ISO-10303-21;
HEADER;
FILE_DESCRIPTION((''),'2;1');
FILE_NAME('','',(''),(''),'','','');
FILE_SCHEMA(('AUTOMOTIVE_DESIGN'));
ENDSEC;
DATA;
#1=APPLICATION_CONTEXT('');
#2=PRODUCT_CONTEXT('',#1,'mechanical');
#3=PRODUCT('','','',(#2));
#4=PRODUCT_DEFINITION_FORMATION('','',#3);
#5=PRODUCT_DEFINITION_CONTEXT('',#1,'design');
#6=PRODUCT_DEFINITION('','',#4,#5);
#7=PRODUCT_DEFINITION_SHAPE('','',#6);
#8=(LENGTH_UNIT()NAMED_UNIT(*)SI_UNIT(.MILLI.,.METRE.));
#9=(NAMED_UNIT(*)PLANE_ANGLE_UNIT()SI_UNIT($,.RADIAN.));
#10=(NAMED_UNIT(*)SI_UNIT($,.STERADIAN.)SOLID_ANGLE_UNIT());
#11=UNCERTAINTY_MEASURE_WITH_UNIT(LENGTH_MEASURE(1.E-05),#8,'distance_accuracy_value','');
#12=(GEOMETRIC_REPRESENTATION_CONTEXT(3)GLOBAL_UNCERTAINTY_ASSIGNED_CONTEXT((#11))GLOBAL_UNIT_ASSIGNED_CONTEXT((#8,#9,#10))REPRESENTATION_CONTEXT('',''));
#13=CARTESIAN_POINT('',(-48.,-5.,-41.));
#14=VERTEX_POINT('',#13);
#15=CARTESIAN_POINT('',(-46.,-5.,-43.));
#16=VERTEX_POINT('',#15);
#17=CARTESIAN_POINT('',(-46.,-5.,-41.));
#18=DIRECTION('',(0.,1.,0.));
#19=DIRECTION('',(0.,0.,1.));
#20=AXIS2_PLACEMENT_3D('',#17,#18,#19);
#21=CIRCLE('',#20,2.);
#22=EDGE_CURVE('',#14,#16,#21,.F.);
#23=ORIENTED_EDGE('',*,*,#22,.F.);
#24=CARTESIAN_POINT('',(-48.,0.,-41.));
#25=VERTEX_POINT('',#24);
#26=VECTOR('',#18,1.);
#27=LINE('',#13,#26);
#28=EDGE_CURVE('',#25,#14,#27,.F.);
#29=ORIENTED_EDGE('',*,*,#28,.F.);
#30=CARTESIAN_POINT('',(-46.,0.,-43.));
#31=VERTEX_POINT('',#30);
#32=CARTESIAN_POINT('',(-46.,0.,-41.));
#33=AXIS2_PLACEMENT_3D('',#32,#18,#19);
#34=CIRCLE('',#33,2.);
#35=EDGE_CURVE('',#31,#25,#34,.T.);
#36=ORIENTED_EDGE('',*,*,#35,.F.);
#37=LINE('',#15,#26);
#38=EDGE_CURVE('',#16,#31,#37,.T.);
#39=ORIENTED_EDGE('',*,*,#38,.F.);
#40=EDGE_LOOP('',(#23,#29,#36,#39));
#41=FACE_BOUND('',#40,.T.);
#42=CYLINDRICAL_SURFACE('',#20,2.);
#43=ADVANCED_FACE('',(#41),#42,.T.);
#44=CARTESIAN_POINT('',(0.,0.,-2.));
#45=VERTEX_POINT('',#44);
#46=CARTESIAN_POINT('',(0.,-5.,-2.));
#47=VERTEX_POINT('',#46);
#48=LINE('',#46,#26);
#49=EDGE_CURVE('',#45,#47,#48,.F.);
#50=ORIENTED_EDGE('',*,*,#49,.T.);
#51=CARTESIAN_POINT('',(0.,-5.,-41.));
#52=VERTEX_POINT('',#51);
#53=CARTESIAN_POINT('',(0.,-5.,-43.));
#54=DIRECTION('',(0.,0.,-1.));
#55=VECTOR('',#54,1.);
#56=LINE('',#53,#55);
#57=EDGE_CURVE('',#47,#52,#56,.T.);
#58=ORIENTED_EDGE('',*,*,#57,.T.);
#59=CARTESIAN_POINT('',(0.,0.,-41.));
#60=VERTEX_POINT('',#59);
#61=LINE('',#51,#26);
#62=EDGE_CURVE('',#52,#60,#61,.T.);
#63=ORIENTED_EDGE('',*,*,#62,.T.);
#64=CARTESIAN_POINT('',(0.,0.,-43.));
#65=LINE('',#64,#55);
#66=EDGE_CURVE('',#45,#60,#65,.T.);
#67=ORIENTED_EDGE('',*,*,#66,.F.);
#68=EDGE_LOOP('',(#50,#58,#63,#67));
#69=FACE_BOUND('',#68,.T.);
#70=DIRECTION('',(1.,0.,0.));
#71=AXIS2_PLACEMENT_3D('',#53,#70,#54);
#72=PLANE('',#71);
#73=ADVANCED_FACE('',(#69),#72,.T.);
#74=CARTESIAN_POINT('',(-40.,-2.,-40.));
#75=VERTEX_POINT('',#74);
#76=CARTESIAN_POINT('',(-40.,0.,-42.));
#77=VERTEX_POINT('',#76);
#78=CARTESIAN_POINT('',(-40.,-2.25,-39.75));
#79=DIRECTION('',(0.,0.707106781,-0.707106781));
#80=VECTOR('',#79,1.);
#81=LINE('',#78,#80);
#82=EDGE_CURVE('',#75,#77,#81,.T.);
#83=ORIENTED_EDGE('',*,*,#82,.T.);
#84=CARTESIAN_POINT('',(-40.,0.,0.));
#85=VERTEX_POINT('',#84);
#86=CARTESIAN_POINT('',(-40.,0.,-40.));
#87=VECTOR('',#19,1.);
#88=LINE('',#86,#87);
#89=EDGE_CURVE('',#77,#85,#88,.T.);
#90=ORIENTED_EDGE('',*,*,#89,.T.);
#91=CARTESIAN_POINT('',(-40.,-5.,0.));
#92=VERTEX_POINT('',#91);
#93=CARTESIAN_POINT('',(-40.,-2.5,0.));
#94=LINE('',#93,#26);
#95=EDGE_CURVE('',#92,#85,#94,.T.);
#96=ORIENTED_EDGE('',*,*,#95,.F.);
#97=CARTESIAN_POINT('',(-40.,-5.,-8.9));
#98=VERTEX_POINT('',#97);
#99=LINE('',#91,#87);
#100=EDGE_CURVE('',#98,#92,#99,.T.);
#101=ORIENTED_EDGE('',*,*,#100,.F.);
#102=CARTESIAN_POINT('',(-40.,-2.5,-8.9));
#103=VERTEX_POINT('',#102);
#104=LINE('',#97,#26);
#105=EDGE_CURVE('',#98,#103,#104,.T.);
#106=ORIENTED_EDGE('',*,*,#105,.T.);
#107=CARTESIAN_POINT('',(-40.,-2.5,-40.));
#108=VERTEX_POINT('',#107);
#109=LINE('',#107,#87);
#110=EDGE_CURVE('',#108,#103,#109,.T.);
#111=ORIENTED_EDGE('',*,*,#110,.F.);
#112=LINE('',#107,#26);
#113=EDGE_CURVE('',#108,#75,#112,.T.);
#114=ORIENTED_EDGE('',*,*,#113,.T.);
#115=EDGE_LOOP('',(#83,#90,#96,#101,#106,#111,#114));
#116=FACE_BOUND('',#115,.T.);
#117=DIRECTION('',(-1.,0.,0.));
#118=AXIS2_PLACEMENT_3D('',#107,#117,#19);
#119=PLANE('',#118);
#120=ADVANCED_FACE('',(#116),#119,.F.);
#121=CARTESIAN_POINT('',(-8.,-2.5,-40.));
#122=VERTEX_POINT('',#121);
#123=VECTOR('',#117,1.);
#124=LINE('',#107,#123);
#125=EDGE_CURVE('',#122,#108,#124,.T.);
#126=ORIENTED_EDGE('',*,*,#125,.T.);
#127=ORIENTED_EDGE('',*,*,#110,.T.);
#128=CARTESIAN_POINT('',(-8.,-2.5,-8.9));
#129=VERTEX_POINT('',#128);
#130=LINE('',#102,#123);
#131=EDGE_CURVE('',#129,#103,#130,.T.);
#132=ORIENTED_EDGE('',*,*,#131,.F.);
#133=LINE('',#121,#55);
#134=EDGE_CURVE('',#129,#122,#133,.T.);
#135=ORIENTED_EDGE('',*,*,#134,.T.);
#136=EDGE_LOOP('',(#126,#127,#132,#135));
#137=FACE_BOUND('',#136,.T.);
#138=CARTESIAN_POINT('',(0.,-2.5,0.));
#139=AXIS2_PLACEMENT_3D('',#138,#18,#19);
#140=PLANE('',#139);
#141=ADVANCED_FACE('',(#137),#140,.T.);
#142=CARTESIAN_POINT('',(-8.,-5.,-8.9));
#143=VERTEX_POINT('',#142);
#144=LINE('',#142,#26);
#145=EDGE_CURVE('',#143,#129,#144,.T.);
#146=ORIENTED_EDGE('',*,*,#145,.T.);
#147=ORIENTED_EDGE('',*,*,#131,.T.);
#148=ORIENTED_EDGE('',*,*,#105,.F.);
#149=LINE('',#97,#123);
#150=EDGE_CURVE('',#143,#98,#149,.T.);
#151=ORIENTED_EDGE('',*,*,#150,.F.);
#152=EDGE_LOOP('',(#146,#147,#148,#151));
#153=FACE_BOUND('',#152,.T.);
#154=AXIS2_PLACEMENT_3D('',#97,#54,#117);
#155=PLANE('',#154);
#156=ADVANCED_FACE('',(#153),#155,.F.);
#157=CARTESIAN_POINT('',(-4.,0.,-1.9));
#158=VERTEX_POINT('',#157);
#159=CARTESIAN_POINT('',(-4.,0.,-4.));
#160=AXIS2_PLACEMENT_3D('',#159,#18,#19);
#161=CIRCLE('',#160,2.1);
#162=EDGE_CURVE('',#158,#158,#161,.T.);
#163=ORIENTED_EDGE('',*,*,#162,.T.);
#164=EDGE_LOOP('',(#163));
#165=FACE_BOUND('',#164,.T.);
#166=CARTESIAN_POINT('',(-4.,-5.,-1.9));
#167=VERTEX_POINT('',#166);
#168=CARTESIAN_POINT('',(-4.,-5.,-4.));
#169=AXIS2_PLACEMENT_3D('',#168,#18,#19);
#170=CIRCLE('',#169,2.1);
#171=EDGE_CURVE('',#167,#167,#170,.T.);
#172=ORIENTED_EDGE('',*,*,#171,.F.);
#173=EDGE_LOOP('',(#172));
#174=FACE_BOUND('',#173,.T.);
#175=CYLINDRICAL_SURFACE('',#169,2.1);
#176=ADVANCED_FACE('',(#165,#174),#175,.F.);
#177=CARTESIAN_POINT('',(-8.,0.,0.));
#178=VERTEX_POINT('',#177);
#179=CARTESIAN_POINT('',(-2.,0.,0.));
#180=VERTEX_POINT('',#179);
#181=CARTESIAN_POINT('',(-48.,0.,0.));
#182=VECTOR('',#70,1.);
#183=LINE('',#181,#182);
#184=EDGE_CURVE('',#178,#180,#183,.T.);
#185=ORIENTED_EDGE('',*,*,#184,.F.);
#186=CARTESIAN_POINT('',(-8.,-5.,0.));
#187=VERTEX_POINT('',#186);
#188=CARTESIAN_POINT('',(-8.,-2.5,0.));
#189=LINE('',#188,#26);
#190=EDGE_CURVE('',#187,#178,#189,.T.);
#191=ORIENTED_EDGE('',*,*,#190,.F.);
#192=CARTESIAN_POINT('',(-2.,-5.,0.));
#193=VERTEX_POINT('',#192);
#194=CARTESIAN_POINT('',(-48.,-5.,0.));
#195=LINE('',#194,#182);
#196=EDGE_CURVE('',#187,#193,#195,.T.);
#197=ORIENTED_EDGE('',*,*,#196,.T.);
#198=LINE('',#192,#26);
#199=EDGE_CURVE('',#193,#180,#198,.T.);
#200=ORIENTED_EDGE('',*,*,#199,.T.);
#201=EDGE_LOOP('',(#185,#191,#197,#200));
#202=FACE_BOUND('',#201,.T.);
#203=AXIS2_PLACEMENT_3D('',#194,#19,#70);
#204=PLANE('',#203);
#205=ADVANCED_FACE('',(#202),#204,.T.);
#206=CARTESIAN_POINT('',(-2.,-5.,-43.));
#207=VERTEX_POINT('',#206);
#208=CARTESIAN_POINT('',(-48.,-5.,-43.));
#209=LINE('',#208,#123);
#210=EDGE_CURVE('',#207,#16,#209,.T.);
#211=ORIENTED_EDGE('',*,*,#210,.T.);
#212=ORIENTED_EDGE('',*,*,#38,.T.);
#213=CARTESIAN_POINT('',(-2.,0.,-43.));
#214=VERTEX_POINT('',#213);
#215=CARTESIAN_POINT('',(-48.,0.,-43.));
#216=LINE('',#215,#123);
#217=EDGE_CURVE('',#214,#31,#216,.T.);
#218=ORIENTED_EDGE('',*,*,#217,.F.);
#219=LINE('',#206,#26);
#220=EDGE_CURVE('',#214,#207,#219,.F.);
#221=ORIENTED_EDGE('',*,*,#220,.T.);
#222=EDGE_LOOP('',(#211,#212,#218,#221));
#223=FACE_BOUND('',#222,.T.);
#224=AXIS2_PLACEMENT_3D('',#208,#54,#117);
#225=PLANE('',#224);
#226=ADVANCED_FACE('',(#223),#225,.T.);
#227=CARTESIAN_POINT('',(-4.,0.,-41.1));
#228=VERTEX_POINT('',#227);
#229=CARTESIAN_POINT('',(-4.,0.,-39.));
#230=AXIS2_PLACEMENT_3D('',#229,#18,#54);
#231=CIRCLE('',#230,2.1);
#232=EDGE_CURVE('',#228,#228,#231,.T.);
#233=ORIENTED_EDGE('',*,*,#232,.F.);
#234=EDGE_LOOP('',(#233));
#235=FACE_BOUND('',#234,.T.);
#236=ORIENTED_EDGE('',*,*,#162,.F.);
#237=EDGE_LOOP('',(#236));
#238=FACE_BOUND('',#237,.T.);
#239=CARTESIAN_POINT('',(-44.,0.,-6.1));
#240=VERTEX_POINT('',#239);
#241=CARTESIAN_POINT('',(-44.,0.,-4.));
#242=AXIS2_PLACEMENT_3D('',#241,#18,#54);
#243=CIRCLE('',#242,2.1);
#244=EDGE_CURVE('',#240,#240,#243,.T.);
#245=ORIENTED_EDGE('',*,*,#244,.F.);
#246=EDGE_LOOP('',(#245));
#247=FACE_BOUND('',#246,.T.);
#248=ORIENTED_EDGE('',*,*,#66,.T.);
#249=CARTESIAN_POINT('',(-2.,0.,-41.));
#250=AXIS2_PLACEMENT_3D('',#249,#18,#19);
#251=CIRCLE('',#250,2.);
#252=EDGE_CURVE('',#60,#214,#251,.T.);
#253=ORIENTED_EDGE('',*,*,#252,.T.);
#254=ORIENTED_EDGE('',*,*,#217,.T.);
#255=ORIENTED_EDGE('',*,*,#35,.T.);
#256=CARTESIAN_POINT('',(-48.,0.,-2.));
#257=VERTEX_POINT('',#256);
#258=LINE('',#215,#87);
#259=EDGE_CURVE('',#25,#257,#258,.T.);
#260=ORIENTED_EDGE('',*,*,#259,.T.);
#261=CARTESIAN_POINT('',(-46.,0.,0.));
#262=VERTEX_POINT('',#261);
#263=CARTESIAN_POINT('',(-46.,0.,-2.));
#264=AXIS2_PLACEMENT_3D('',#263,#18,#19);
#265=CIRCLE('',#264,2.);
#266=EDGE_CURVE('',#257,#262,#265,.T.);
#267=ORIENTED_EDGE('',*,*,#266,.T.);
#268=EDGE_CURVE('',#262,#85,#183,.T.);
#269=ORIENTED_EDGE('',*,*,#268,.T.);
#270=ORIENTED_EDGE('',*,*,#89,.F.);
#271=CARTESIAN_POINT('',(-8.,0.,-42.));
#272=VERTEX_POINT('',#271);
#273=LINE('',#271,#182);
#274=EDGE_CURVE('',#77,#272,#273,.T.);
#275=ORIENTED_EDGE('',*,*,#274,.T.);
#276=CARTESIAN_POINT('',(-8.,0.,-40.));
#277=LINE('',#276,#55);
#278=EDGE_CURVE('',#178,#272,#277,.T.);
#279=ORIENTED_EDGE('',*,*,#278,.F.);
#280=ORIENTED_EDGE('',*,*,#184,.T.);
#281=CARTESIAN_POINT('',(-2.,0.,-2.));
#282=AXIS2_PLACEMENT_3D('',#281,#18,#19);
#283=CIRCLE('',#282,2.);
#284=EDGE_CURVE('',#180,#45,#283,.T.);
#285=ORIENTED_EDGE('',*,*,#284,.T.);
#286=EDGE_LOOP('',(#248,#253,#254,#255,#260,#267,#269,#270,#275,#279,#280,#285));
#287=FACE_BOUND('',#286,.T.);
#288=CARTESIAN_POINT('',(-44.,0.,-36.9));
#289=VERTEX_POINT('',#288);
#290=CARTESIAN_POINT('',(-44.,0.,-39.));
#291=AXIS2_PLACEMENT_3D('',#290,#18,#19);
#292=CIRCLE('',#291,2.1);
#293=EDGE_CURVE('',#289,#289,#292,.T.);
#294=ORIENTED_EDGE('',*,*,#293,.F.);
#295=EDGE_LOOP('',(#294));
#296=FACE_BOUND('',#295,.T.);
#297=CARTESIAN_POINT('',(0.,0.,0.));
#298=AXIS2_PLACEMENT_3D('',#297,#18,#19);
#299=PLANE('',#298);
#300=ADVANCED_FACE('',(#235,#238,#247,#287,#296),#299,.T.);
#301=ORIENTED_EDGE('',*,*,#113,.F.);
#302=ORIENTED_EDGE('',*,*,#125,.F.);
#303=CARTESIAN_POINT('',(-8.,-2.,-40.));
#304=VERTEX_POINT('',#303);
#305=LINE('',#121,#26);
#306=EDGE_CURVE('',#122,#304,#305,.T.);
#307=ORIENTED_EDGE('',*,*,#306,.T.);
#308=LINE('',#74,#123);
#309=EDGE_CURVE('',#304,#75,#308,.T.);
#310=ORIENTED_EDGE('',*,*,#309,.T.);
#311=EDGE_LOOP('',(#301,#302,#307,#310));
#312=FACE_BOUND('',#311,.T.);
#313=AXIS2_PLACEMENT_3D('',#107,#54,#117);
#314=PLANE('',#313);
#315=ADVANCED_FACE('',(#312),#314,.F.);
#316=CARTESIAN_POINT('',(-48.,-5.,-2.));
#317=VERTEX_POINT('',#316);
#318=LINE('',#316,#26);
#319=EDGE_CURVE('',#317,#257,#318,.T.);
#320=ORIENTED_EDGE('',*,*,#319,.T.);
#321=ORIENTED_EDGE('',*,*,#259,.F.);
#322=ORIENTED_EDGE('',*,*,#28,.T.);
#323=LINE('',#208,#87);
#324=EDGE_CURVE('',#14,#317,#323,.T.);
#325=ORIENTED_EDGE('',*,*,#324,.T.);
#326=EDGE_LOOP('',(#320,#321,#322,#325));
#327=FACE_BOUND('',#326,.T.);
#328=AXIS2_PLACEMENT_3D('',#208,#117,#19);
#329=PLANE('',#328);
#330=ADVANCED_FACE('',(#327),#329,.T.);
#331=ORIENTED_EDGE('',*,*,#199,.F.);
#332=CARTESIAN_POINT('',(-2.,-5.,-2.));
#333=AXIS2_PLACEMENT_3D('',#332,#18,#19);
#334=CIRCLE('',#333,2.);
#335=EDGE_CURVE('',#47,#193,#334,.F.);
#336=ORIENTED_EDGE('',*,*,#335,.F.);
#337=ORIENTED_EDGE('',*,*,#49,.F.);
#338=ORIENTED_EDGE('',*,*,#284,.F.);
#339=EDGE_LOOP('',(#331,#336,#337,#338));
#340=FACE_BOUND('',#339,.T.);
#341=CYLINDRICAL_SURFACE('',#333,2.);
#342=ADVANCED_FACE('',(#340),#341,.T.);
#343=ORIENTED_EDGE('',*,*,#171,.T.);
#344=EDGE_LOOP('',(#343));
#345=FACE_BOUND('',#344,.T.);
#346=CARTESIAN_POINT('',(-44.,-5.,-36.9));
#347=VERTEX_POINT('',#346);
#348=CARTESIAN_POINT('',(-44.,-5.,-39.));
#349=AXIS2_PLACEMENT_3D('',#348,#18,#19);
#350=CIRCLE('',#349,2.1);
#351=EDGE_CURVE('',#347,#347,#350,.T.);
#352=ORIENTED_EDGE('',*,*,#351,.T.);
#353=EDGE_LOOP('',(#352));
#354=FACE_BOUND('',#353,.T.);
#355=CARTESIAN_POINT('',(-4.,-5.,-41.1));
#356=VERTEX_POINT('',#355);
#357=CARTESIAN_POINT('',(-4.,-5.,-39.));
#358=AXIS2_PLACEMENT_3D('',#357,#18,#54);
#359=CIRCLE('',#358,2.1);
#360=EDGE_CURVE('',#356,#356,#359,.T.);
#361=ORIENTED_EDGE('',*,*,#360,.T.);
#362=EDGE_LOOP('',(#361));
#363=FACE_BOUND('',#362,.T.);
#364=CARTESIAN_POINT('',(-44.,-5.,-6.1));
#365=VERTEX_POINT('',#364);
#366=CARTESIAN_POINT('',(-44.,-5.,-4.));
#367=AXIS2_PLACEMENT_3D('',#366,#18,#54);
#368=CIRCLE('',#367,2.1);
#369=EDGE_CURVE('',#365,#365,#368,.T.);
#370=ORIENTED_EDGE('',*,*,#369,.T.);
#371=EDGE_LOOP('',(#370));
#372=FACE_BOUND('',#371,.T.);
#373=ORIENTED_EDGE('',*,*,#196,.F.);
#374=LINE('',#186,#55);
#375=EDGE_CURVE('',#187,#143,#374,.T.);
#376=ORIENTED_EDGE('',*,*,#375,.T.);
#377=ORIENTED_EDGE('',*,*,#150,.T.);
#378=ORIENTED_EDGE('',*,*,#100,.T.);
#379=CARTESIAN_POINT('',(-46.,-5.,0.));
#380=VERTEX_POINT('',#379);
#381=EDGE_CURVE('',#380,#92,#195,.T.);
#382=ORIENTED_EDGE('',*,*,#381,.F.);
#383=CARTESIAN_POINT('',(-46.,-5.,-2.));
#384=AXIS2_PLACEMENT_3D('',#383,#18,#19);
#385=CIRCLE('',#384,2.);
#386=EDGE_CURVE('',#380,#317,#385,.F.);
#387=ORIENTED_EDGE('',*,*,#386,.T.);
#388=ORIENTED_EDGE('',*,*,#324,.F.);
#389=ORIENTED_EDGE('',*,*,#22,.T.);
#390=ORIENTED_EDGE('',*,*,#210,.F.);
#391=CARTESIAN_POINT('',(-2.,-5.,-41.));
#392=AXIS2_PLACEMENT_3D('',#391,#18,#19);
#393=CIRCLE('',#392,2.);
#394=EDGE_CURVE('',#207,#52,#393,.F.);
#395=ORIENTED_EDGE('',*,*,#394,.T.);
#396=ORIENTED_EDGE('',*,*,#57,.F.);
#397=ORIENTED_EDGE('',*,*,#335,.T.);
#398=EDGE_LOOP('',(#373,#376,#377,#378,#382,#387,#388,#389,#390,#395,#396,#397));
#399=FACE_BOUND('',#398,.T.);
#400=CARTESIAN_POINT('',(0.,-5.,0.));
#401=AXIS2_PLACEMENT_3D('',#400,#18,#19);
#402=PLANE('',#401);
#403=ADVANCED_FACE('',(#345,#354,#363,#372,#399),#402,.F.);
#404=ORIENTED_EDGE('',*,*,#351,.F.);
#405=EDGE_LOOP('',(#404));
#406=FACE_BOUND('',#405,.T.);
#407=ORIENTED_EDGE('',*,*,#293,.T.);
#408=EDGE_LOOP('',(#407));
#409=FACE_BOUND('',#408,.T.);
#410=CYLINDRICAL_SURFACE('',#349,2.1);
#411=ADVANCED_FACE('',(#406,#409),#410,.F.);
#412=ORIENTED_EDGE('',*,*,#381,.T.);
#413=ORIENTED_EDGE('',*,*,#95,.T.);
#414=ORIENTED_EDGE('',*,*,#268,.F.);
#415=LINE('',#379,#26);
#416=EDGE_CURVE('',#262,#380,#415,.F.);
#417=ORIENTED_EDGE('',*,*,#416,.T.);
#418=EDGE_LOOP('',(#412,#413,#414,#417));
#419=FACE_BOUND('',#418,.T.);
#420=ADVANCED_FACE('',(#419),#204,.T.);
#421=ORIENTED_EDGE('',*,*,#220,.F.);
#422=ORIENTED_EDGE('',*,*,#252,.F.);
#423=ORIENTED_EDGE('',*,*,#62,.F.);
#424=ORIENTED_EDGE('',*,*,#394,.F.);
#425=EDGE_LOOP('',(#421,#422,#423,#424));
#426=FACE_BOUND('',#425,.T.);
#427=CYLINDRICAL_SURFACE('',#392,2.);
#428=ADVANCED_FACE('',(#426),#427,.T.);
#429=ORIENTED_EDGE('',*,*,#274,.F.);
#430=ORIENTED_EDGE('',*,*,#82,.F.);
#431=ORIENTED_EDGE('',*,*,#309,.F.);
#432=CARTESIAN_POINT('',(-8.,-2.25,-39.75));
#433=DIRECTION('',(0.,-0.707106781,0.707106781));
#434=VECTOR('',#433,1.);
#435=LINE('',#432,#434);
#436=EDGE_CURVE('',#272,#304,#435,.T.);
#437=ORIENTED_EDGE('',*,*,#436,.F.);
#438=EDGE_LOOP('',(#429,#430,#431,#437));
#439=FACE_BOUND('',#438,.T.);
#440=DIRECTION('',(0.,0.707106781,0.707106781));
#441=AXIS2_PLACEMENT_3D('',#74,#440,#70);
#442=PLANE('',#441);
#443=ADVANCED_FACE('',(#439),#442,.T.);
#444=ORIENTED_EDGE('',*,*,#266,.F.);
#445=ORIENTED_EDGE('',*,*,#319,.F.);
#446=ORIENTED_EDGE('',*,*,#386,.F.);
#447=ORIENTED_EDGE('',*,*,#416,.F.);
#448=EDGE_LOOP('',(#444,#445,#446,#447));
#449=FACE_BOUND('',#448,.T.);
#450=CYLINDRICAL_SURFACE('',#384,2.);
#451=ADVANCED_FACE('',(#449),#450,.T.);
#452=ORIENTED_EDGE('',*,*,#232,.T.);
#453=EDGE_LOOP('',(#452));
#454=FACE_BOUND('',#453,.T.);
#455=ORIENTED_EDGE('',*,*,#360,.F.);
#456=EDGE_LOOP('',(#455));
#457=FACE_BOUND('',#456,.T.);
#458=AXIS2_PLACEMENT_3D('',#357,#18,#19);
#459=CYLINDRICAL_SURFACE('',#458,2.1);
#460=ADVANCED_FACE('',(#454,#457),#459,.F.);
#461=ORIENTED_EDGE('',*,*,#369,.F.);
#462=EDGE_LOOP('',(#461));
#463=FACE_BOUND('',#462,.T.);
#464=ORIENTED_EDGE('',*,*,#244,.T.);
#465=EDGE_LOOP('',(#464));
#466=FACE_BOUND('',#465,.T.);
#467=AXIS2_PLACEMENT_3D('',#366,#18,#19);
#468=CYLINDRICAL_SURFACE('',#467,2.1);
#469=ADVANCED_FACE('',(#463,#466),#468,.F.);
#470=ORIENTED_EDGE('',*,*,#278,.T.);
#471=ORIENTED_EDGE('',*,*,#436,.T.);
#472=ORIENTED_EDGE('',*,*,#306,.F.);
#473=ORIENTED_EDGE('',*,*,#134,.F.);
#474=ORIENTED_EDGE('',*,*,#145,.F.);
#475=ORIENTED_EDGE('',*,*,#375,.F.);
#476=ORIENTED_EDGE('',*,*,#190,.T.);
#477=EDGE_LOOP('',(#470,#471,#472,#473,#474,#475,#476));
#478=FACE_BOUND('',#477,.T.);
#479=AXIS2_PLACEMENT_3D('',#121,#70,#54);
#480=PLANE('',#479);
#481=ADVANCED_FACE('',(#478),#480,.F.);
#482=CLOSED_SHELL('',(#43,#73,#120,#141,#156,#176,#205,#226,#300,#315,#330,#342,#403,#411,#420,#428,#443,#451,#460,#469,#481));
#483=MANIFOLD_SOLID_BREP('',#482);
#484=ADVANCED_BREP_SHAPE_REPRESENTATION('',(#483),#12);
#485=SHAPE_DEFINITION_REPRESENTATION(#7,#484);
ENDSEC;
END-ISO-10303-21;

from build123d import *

# Parameters (mm, degrees)
SKETCH_1_W          = 48
SKETCH_1_H          = 43
EXTRUDE_1_DEPTH     = 5
SKETCH_2_W          = 32
SKETCH_2_H          = 40
CUT_EXTRUDE_1_DEPTH = 2.5
SKETCH_3_R          = 2.1
CUT_EXTRUDE_2_DEPTH = 65.637450445
FILLET_1_R          = 2
CHAMFER_2_SIZE      = 2
SKETCH_4_W          = 32
SKETCH_4_H          = 8.9
CUT_EXTRUDE_3_DEPTH = 65.492247596


with BuildPart() as part:
    # Эскиз1 → Бобышка-Вытянуть1 (new body)
    with BuildSketch(Plane(origin=(0, 0, 0), x_dir=(1, 0, 0), z_dir=(0, 1, 0))):
        with Locations((-24, 21.5)):
            Rectangle(SKETCH_1_W, SKETCH_1_H)
    extrude(amount=-EXTRUDE_1_DEPTH)

    # Эскиз2 → Вырез-Вытянуть1 (cut)
    with BuildSketch(Plane(origin=(0, 0, 0), x_dir=(1, 0, 0), z_dir=(0, 1, 0))):
        with Locations((-24, 20)):
            Rectangle(SKETCH_2_W, SKETCH_2_H)
    extrude(amount=-CUT_EXTRUDE_1_DEPTH, mode=Mode.SUBTRACT)

    # Эскиз3 → Вырез-Вытянуть2 (cut, through all)
    with BuildSketch(Plane(origin=(0, 0, 0), x_dir=(1, 0, 0), z_dir=(0, 1, 0))):
        with Locations(Location((-44, 39, 0), (0, 0, 270))):
            Circle(SKETCH_3_R)
        with Locations(Location((-4, 39, 0), (0, 0, 90))):
            Circle(SKETCH_3_R)
        with Locations(Location((-4, 4, 0), (0, 0, 270))):
            Circle(SKETCH_3_R)
        with Locations(Location((-44, 4, 0), (0, 0, 90))):
            Circle(SKETCH_3_R)
    extrude(amount=-CUT_EXTRUDE_2_DEPTH, mode=Mode.SUBTRACT)

    # Скругление1
    fillet_1_edges = [part.edges().sort_by_distance(p)[0] for p in [
        (-48, -2.5, -43),
        (0, -2.5, -43),
        (0, -2.5, 0),
        (-48, -2.5, 0),
    ]]
    fillet(fillet_1_edges, radius=FILLET_1_R)

    # Фаска2
    chamfer_2_edges = [part.edges().sort_by_distance(p)[0] for p in [
        (-24, 0, -40),
    ]]
    chamfer(chamfer_2_edges, length=CHAMFER_2_SIZE)

    # Эскиз4 → Вырез-Вытянуть3 (cut, through all)
    with BuildSketch(Plane(origin=(0, -2.5, 0), x_dir=(1, 0, 0), z_dir=(0, 1, 0))):
        with Locations((-24, 4.45)):
            Rectangle(SKETCH_4_W, SKETCH_4_H)
    extrude(amount=-CUT_EXTRUDE_3_DEPTH, mode=Mode.SUBTRACT)


solid = part.part
